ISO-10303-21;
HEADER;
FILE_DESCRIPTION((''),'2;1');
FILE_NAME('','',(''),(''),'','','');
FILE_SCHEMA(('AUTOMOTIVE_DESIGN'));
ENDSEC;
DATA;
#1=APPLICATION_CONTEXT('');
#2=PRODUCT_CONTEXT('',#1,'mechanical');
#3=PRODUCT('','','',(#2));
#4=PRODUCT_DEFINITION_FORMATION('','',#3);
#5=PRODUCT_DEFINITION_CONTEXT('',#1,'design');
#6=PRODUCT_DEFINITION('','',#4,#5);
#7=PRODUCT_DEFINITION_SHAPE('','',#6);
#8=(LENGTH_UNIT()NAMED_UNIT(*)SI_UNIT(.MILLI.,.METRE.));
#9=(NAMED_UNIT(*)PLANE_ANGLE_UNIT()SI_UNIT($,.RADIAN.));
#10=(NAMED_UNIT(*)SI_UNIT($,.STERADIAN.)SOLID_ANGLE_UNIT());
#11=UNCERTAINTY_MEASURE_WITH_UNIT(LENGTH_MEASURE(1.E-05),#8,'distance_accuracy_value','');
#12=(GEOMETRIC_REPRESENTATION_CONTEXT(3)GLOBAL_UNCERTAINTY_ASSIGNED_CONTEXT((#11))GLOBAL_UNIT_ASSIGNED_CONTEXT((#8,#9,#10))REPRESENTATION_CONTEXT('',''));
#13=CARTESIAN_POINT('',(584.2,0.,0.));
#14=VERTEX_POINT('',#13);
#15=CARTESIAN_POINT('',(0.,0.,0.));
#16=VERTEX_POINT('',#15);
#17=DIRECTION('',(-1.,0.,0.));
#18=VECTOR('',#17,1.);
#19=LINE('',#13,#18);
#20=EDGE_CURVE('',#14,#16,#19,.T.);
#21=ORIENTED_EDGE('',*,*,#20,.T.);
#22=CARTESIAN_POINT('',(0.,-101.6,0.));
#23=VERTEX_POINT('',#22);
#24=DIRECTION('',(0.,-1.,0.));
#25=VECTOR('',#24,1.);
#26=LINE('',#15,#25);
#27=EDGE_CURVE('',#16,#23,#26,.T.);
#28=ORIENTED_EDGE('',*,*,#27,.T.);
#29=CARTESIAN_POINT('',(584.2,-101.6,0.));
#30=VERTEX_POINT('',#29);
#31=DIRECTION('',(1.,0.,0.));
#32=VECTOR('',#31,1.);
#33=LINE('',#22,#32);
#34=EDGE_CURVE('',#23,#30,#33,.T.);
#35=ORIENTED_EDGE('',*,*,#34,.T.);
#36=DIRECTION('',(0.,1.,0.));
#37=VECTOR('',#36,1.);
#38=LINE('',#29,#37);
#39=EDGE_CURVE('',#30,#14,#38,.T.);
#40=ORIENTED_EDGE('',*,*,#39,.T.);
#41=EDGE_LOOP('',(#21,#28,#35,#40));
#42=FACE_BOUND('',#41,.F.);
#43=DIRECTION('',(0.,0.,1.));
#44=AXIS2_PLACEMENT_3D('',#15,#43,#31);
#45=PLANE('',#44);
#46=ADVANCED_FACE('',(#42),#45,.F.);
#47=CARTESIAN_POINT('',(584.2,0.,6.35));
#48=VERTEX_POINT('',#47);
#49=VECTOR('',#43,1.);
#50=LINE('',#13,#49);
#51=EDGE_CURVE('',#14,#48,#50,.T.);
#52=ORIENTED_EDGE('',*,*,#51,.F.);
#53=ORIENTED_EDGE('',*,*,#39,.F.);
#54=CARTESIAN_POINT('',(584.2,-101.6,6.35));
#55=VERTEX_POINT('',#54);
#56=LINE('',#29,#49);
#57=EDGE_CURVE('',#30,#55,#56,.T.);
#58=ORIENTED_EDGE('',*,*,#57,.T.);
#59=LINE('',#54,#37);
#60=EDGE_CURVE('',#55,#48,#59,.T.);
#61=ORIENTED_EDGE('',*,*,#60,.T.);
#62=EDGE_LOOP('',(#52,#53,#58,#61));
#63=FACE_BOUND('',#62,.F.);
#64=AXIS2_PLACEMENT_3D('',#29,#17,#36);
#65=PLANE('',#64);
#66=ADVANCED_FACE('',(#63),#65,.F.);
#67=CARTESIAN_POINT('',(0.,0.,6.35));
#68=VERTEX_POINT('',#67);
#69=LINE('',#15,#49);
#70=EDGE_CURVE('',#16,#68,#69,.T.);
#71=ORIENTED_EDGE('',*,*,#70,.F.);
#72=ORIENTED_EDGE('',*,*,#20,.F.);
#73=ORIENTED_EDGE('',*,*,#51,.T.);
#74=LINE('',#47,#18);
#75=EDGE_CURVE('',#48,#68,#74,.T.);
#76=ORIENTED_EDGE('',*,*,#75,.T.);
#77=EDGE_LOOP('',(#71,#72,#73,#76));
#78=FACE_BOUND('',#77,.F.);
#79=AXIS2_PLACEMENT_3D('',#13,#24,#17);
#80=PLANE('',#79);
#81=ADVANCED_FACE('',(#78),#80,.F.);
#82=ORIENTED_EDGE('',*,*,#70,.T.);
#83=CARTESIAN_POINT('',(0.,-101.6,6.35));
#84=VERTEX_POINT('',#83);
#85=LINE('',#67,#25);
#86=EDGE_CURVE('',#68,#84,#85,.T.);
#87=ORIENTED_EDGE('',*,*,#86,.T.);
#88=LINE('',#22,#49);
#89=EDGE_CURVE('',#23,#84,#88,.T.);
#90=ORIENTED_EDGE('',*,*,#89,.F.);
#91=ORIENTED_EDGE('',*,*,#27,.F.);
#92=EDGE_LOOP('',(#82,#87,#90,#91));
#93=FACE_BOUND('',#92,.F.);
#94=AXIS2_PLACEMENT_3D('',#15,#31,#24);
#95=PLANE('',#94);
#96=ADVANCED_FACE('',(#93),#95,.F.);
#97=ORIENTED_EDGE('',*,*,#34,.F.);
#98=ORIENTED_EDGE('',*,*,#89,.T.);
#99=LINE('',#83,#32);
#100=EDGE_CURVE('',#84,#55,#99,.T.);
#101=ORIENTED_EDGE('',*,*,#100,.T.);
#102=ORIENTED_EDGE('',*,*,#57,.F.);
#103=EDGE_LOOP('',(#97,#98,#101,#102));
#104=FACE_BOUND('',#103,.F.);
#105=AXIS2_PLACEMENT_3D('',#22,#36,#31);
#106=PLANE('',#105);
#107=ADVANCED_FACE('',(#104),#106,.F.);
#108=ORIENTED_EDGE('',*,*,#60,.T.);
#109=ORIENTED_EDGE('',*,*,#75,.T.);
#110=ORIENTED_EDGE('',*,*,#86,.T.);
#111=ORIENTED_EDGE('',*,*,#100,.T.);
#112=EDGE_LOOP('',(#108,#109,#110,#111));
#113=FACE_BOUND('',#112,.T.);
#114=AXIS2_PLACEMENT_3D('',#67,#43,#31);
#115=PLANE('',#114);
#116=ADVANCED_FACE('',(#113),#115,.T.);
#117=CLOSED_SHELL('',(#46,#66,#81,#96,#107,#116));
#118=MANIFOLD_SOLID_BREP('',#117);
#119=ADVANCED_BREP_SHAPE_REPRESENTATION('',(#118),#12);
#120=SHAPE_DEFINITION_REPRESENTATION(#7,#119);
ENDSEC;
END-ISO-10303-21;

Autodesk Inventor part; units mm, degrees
ref_plane "YZ Plane" through (0, 0, 0) normal (1, 0, 0) x (0, 1, 0)
ref_plane "XZ Plane" through (0, 0, 0) normal (0, 1, 0) x (-1, 0, 0)
ref_plane "XY Plane" through (0, 0, 0) normal (0, 0, 1) x (1, 0, 0)
sketch "Sketch1" plane through (0, 0, 0) normal (0, 0, 1) x (1, 0, 0)
  line L0 (0, 0) -> (0, -101.6)
  line L1 (0, -101.6) -> (584.2, -101.6)
  line L2 (584.2, -101.6) -> (584.2, 0)
  line L3 (584.2, 0) -> (0, 0)
  dimension "d0" = 101.6
  dimension "d1" = 584.2
extrude "Extrusion1" add sketch "Sketch1" along normal blind 6.35
properties part number "mounting plate"
